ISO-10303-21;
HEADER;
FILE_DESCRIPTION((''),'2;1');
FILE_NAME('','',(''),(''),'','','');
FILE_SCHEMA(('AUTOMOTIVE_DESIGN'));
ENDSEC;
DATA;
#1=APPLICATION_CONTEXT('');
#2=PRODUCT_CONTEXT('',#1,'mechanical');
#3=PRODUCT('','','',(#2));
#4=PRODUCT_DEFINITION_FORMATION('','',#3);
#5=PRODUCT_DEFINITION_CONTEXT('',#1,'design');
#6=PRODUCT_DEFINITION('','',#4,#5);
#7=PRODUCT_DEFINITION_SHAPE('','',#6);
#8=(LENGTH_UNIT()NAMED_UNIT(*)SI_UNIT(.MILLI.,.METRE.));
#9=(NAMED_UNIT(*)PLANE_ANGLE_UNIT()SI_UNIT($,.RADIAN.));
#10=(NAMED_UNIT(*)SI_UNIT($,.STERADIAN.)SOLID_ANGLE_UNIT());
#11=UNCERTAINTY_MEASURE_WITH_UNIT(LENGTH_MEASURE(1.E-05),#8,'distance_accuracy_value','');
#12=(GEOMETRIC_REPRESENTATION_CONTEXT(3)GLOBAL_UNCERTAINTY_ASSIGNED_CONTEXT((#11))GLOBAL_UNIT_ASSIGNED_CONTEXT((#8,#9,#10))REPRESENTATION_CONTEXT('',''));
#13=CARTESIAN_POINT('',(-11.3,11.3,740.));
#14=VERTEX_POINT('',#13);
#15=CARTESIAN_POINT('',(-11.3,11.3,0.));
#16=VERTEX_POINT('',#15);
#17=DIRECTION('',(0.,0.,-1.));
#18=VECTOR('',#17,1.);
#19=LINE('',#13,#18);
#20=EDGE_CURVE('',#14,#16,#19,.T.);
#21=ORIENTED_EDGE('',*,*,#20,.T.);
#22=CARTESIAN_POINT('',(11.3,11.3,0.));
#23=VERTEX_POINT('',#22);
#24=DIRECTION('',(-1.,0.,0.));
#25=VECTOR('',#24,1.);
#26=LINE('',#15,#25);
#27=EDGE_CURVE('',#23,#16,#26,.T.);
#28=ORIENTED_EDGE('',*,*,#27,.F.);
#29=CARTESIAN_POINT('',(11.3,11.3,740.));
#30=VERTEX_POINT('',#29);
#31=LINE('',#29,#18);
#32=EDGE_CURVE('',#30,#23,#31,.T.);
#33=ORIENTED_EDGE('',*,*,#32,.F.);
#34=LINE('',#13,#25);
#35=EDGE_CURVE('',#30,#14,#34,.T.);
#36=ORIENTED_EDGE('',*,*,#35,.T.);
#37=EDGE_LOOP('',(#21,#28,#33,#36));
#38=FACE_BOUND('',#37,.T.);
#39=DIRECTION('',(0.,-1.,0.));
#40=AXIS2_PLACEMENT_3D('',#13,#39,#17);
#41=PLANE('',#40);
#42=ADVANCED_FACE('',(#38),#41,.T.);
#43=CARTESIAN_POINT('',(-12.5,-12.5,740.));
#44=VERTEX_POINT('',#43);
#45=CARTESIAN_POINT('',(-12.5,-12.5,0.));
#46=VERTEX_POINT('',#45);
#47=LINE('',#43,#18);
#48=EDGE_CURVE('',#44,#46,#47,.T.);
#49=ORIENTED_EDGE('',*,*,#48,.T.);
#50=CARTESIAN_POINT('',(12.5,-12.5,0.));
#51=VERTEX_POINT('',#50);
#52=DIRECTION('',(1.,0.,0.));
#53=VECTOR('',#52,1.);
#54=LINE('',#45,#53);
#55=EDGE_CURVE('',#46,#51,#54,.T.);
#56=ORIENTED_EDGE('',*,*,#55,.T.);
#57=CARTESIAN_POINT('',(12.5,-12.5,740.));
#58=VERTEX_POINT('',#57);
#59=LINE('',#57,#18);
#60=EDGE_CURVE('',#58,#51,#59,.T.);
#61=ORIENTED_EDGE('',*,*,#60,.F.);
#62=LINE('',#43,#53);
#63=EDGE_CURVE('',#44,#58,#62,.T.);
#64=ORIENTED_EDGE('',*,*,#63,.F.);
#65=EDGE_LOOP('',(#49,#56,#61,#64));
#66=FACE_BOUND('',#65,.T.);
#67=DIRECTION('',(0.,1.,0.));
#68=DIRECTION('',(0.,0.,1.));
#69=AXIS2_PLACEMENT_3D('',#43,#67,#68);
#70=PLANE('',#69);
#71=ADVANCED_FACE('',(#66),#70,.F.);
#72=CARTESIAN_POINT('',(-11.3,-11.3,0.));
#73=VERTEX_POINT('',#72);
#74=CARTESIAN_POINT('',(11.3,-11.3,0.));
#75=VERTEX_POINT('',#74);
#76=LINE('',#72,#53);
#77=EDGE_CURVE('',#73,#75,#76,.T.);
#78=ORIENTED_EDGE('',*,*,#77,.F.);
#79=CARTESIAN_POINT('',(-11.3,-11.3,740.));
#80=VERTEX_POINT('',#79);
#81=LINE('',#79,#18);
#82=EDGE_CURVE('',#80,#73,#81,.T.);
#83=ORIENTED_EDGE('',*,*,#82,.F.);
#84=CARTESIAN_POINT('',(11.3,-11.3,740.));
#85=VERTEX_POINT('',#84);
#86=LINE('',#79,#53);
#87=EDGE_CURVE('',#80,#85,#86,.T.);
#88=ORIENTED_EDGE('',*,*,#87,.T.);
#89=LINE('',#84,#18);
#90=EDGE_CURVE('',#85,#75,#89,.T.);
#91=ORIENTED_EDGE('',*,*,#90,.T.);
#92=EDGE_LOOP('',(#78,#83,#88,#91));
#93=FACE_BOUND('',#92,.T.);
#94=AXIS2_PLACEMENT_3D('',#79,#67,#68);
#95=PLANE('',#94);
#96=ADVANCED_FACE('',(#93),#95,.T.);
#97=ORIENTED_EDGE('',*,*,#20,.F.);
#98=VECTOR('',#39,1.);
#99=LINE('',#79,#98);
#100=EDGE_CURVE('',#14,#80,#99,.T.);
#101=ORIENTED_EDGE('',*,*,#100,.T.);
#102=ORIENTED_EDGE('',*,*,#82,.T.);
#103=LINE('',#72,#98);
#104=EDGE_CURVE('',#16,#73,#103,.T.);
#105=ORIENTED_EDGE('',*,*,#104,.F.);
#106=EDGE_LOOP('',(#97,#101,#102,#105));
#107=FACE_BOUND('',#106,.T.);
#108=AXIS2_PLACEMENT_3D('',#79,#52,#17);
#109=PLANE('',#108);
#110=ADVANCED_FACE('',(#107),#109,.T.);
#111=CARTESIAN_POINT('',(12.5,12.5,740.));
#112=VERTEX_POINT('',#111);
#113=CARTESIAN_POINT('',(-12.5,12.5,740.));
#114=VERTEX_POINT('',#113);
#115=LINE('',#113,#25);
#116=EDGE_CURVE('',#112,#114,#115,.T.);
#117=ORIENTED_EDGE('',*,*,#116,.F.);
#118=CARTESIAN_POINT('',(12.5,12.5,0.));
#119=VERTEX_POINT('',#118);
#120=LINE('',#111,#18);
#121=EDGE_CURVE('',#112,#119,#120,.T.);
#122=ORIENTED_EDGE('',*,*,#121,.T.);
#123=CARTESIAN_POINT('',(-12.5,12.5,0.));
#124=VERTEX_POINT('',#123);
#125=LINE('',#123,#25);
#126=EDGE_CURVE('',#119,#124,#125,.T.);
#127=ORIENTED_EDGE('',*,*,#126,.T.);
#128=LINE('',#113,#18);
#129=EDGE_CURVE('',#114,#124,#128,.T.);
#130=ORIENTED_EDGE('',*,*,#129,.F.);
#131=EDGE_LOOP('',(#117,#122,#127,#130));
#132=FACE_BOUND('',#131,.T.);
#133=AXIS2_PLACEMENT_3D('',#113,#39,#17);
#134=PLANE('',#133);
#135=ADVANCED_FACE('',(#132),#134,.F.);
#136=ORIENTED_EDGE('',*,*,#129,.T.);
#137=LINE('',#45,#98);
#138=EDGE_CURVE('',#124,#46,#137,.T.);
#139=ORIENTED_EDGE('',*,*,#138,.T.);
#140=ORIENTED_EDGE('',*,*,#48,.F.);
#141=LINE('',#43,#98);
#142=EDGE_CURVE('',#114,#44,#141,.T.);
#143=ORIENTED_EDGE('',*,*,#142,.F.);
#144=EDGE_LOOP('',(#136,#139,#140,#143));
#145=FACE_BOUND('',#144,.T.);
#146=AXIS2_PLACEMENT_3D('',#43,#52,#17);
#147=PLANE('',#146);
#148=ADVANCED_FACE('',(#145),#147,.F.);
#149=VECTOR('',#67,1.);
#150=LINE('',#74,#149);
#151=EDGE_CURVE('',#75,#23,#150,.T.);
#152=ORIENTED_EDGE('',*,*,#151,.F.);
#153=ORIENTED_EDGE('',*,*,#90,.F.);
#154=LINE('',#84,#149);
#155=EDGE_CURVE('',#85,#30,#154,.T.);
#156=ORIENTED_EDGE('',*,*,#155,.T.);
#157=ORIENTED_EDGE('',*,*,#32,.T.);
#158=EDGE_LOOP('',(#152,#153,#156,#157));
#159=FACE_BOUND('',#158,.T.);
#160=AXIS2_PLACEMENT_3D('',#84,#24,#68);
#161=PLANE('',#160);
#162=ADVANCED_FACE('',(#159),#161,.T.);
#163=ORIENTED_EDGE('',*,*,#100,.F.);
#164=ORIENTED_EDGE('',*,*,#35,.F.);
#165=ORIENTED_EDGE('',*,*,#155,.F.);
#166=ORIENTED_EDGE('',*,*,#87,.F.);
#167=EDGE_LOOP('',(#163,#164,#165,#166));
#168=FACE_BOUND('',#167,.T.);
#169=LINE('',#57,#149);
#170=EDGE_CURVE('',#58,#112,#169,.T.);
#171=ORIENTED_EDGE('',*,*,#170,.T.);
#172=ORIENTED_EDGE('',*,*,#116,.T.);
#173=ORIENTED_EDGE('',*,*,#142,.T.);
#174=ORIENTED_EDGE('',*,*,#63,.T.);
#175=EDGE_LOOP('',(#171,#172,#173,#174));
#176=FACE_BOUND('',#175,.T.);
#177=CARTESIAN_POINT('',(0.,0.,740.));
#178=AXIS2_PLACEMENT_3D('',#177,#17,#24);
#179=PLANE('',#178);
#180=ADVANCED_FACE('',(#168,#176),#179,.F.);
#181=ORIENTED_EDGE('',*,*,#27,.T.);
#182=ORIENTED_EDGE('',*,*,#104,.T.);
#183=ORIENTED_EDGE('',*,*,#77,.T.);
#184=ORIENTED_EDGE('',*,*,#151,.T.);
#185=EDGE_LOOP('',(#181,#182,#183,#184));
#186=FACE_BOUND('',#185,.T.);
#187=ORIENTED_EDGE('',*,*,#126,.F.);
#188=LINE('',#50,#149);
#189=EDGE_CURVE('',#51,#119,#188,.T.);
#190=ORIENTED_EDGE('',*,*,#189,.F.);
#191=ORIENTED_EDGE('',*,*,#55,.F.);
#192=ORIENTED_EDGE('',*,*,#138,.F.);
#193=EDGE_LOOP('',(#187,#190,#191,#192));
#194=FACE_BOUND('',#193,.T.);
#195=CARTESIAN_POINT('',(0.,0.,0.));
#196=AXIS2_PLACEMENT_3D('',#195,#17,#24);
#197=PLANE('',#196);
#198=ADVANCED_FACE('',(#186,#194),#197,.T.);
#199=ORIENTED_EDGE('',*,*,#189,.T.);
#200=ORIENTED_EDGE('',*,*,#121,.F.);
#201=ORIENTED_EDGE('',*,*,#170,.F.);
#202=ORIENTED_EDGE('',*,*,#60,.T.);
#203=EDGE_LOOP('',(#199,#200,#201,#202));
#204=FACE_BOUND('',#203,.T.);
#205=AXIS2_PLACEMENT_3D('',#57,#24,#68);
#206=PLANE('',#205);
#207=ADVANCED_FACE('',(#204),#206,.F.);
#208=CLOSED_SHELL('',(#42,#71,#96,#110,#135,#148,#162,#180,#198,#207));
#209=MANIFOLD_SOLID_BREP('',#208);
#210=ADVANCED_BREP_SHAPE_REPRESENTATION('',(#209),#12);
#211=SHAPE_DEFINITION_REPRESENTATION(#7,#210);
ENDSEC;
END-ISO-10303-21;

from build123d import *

# Parameters (mm, degrees)
SKETCH1_W           = 25
SKETCH1_H           = 25
SKETCH1_W_2         = 22.6
SKETCH1_H_2         = 22.6
BOSS_EXTRUDE1_DEPTH = 740


with BuildPart() as part:
    # Sketch1 → Boss-Extrude1 (new body)
    with BuildSketch(Plane.XY):
        Rectangle(SKETCH1_W, SKETCH1_H)
        Rectangle(SKETCH1_W_2, SKETCH1_H_2, mode=Mode.SUBTRACT)
    extrude(amount=BOSS_EXTRUDE1_DEPTH)


solid = part.part
